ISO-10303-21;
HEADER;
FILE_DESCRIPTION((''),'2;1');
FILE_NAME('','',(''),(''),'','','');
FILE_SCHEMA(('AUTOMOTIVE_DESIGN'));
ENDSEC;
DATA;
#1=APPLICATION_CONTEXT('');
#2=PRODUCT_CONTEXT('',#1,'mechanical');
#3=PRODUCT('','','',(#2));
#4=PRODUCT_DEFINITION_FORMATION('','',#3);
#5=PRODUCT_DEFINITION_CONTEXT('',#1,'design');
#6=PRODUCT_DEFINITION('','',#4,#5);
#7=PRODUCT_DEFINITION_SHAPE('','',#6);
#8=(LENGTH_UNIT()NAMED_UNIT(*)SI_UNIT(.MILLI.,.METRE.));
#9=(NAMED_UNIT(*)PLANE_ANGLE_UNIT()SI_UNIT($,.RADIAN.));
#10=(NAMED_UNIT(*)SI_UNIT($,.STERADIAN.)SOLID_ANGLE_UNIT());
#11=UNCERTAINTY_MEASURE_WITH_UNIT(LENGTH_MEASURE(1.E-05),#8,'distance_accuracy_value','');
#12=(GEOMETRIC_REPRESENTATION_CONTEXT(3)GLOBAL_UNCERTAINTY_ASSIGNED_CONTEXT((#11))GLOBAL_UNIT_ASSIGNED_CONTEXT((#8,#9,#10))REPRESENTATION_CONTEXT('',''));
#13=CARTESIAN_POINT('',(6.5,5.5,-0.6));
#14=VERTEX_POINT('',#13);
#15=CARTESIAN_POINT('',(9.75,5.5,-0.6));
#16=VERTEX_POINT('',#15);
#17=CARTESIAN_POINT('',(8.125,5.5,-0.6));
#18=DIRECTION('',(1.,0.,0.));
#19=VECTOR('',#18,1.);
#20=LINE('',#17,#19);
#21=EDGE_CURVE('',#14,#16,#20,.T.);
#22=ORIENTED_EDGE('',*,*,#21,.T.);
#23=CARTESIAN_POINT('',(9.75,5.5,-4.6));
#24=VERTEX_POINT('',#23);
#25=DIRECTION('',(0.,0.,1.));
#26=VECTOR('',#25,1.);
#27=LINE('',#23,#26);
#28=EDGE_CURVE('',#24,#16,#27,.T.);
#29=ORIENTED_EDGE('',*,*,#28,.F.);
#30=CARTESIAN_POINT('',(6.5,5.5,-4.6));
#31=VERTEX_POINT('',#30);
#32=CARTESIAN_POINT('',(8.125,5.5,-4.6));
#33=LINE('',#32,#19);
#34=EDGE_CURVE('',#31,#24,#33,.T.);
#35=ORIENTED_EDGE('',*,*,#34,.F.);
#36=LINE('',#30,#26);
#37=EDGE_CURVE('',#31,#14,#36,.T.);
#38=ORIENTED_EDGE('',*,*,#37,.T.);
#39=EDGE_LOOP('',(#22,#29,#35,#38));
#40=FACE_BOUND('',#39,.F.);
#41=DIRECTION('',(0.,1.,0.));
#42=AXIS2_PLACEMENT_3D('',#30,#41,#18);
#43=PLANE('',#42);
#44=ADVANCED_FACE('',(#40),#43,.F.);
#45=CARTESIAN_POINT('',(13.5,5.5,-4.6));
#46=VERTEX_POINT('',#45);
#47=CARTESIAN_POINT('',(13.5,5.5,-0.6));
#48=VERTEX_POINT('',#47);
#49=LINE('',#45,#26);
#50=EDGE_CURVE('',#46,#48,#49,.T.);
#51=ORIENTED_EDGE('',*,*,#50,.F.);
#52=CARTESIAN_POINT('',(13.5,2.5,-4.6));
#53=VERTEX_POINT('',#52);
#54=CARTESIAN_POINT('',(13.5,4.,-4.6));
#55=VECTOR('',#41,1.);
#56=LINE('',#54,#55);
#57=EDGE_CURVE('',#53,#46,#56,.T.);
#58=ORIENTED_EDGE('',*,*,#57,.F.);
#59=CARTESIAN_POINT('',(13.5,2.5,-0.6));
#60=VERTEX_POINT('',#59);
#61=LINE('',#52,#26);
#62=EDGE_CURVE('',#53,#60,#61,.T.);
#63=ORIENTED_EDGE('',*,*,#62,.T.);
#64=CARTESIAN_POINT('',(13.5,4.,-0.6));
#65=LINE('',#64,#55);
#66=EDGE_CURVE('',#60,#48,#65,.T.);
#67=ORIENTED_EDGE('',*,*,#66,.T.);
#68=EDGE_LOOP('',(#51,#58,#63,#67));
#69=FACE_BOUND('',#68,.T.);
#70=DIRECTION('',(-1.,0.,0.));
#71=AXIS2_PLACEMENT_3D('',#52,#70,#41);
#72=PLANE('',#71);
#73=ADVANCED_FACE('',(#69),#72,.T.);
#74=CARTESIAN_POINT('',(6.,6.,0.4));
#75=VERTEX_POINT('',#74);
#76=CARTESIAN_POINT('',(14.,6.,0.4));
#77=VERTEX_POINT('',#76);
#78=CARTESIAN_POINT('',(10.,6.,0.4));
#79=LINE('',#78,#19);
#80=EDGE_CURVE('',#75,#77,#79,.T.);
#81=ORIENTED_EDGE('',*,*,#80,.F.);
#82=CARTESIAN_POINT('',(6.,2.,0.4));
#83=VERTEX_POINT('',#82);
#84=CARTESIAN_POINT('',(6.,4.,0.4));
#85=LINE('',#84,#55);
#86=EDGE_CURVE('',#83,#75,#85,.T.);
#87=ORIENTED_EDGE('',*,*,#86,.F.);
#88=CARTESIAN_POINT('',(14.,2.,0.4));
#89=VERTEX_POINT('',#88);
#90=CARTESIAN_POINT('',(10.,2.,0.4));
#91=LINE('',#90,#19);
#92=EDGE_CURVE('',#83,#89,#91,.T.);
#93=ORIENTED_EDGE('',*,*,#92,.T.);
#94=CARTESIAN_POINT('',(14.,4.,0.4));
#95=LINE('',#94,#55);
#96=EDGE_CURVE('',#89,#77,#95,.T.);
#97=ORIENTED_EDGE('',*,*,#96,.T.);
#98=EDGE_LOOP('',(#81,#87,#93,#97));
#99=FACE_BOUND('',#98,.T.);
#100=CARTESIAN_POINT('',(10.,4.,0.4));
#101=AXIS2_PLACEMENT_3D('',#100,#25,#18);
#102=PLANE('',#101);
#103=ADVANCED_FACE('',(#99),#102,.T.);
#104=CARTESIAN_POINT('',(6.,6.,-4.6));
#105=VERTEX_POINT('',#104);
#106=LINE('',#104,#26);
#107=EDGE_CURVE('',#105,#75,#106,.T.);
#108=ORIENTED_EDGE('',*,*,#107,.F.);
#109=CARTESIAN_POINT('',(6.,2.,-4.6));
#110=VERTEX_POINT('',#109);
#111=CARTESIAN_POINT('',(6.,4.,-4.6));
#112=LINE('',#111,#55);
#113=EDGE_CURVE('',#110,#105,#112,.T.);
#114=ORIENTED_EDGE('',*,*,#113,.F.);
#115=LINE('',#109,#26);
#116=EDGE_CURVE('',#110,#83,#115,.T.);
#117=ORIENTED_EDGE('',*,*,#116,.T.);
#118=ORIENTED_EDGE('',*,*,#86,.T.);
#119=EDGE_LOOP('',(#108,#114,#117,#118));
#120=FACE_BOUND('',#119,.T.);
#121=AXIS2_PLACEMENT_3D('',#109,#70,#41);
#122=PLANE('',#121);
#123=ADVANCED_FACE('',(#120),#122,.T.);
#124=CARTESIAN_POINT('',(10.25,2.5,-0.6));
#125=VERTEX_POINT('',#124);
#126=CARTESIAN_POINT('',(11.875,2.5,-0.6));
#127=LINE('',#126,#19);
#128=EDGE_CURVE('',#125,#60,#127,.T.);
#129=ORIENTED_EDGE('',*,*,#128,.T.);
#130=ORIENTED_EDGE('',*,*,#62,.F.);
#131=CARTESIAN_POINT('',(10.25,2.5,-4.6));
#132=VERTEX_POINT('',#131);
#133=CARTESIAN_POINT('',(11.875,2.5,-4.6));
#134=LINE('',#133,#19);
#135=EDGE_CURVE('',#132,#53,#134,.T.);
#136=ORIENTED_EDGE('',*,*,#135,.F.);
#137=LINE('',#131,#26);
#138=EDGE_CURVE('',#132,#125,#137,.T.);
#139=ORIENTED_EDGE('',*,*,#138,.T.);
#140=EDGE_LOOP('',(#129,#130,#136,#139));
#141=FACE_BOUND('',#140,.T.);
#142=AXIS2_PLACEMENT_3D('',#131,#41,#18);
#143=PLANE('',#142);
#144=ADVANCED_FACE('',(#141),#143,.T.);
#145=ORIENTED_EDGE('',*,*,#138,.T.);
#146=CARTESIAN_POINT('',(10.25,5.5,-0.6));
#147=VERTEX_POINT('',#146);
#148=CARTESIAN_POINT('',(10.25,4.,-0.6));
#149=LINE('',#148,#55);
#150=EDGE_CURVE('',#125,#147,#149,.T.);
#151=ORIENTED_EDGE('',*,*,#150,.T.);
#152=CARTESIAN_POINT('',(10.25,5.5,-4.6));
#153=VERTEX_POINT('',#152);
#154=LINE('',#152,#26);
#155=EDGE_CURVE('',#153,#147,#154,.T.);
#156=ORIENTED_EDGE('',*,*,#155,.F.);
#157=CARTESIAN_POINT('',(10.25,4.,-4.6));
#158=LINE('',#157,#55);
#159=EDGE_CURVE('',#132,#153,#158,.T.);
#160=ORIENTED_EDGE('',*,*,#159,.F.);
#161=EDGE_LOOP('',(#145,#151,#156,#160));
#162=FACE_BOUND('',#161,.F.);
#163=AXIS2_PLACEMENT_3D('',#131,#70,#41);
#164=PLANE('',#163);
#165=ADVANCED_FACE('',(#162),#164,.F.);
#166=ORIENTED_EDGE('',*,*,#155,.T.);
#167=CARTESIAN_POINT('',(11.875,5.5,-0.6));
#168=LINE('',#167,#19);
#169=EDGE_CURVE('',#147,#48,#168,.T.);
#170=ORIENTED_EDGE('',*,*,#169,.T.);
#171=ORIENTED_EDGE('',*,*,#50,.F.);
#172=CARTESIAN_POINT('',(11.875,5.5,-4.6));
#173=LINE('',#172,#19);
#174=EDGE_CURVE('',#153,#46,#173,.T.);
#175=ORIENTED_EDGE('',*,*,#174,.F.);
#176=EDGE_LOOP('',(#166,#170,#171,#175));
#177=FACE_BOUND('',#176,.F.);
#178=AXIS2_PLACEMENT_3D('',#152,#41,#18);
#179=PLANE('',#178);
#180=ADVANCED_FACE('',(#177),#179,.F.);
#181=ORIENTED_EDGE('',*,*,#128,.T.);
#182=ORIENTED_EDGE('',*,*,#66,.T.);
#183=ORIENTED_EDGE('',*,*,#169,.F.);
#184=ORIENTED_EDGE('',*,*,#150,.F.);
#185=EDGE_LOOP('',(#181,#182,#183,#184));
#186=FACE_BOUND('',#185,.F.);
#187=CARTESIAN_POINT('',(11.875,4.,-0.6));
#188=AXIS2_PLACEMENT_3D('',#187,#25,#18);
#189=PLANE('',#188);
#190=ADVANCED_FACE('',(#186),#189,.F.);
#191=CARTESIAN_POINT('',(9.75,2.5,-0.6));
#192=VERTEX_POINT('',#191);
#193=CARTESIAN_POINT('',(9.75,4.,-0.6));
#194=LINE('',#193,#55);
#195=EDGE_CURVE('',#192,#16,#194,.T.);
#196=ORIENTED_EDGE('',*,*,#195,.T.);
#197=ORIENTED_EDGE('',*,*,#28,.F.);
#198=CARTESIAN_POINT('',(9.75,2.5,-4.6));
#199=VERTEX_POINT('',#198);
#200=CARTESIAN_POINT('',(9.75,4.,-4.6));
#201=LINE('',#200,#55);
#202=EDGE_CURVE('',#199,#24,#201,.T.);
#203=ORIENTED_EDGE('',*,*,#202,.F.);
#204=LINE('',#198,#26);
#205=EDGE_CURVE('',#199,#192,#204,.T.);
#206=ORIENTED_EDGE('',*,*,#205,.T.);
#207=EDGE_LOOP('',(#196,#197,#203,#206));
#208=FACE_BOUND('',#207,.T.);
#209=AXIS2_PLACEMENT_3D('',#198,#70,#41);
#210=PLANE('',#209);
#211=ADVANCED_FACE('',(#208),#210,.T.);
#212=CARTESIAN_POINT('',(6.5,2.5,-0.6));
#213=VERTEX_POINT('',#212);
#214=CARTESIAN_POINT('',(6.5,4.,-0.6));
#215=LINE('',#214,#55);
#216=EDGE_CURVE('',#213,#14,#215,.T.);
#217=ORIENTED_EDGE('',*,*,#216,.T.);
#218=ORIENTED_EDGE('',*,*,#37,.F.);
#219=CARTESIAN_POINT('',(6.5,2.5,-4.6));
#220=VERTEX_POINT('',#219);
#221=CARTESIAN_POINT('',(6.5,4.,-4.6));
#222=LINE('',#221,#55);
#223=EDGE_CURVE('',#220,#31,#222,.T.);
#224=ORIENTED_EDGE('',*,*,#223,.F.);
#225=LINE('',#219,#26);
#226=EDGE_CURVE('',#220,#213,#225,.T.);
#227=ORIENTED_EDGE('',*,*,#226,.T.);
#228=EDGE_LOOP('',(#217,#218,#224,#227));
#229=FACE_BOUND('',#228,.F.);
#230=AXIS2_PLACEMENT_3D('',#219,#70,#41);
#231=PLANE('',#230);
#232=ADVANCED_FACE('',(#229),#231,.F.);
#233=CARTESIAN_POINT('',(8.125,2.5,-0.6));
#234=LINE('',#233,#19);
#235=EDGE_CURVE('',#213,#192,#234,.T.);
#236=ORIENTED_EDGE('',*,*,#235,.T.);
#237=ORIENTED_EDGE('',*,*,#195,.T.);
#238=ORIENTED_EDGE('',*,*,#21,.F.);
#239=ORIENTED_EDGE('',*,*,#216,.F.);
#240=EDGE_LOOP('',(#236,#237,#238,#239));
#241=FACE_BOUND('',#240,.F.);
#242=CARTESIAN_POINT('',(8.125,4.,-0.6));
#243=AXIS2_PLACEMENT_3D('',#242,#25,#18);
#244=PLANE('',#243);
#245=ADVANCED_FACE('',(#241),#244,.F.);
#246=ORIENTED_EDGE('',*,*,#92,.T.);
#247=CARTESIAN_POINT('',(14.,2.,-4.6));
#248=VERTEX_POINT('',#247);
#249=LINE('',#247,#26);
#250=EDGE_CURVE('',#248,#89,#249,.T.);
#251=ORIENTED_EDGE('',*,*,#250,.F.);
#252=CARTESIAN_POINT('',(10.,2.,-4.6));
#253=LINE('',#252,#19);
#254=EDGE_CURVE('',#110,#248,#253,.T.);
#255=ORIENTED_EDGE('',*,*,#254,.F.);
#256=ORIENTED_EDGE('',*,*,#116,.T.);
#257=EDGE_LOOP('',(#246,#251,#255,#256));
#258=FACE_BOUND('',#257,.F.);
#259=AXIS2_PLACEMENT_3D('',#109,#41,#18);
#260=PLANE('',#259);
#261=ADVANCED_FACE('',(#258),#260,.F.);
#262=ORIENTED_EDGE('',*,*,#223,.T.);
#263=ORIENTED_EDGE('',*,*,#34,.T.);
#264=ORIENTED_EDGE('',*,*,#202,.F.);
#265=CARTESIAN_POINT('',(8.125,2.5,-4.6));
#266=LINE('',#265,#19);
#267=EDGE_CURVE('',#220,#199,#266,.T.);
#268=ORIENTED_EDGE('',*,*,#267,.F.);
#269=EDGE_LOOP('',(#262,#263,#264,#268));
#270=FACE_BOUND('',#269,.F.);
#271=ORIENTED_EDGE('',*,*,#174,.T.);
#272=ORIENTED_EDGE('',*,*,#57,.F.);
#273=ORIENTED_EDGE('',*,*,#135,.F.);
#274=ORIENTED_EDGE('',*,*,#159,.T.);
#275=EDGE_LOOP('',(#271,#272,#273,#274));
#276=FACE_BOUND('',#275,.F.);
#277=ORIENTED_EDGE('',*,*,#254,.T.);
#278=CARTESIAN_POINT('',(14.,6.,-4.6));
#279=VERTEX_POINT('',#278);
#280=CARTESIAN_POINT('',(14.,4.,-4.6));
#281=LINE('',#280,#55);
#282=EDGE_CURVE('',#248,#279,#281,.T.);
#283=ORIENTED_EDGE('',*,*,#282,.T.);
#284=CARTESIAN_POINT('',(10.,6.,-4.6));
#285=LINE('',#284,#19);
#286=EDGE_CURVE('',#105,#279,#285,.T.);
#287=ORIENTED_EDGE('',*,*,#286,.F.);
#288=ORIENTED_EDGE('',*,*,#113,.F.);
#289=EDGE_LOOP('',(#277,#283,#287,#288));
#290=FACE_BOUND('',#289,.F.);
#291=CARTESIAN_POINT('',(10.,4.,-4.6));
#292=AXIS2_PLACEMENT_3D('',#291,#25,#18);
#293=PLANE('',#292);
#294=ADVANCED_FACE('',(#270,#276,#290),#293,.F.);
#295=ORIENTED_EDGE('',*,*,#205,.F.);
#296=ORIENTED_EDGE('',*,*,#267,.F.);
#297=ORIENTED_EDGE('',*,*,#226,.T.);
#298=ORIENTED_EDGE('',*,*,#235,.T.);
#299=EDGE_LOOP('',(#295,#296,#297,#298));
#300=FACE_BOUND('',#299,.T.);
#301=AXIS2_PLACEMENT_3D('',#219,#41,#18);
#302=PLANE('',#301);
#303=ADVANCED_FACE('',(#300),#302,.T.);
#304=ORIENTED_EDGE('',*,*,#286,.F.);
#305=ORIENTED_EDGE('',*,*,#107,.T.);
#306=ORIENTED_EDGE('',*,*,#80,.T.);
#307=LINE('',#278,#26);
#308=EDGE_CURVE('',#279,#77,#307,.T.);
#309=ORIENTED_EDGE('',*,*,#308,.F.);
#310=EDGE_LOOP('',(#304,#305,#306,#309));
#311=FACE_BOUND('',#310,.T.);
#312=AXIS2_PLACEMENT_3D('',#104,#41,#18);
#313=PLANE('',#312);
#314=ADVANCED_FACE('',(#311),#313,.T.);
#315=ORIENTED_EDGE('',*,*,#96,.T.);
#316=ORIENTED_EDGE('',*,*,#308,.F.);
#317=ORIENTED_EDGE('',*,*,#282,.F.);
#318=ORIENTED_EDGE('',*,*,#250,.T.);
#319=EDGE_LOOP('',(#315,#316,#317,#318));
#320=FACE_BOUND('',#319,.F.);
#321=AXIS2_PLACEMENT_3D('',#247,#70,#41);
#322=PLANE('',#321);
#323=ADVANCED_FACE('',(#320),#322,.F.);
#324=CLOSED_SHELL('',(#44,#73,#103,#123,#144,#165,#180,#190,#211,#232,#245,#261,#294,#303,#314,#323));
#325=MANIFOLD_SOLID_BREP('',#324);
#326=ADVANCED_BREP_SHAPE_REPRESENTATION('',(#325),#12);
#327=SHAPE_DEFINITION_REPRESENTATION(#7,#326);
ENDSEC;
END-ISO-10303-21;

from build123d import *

# Parameters (mm, degrees)
BOX015_W     = 3.25
BOX015_H     = 3
BOX015_DEPTH = 4
BOX014_W     = 3.25
BOX014_H     = 3
BOX014_DEPTH = 4
BOX013_W     = 8
BOX013_H     = 4
BOX013_DEPTH = 5


with BuildPart() as cubo015:
    # Box015 → Box015 (new body)
    with BuildSketch(Plane(origin=(10.25, 2.5, -5), x_dir=(1, 0, 0), z_dir=(0, 0, 1))):
        with Locations((1.625, 1.5)):
            Rectangle(BOX015_W, BOX015_H)
    extrude(amount=BOX015_DEPTH)


with BuildPart() as cubo014:
    # Box014 → Box014 (new body)
    with BuildSketch(Plane(origin=(6.5, 2.5, -5), x_dir=(1, 0, 0), z_dir=(0, 0, 1))):
        with Locations((1.625, 1.5)):
            Rectangle(BOX014_W, BOX014_H)
    extrude(amount=BOX014_DEPTH)


with BuildPart() as lt_h:
    # Box013 → Box013 (new body)
    with BuildSketch(Plane(origin=(6, 2, -5), x_dir=(1, 0, 0), z_dir=(0, 0, 1))):
        with Locations((4, 2)):
            Rectangle(BOX013_W, BOX013_H)
    extrude(amount=BOX013_DEPTH)

    # Cut009: cut Cubo014
    add(cubo014.part, mode=Mode.SUBTRACT)

    # Cut010: cut Cubo015
    add(cubo015.part, mode=Mode.SUBTRACT)


with BuildPart() as lt_h_1:
    # Cut010 placement: moved
    add(lt_h.part.moved(Location((0, 0, 0.4))))


solid = lt_h_1.part
